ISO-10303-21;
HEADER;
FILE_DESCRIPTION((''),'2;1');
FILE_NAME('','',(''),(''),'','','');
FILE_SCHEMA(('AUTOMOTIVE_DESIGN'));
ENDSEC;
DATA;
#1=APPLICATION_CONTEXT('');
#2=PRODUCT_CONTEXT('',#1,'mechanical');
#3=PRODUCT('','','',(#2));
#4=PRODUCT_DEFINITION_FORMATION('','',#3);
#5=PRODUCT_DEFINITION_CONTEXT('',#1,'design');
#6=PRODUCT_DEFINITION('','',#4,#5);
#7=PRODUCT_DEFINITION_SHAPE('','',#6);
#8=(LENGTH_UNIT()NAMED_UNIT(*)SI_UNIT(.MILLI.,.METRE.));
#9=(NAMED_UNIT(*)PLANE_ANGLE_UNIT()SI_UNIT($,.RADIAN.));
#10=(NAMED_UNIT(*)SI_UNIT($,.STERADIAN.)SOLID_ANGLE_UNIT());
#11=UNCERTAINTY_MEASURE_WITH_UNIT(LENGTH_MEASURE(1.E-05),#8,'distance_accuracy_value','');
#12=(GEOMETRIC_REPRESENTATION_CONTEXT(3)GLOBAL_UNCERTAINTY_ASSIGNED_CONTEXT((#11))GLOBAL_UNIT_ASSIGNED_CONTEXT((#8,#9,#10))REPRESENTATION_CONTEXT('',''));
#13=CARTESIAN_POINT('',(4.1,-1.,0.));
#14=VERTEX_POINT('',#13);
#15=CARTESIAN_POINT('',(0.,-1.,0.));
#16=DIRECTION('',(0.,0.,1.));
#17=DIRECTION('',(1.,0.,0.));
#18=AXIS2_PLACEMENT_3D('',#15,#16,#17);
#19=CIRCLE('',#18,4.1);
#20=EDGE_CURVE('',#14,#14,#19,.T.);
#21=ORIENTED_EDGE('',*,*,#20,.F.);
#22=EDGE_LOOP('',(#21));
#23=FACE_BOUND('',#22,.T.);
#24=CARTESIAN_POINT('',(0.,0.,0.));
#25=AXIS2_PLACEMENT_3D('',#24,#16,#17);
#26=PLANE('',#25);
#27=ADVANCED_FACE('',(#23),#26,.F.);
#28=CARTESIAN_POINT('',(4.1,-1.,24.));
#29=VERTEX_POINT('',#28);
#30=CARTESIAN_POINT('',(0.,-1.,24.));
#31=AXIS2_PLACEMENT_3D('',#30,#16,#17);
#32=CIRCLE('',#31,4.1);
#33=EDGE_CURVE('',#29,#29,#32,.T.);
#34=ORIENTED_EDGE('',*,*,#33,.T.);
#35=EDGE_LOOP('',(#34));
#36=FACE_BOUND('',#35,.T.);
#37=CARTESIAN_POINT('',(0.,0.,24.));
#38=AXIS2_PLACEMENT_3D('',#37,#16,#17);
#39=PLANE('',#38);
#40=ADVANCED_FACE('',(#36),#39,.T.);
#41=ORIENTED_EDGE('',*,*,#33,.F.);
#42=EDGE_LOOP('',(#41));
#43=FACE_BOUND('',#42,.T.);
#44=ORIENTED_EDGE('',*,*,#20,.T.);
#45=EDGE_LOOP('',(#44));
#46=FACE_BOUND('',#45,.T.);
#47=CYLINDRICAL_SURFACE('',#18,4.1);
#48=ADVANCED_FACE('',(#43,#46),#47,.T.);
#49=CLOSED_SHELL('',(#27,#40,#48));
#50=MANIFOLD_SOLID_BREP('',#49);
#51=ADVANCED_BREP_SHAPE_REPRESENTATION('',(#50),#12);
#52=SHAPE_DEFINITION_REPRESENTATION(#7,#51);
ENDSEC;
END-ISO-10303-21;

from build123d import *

# Parameters (mm, degrees)
SKETCH_1_W          = 66
SKETCH_1_H          = 56
EXTRUDE_1_DEPTH     = 24
SKETCH_2_OUTSIDE_W  = 85.964
SKETCH_2_OUTSIDE_H  = 75.964
SKETCH_2_OUTSIDE_R  = 4.1
CUT_EXTRUDE_1_DEPTH = 50.487372127


with BuildPart() as part:
    # 草图1 → 凸台-拉伸1 (new body)
    with BuildSketch(Plane.XY):
        Rectangle(SKETCH_1_W, SKETCH_1_H)
    extrude(amount=EXTRUDE_1_DEPTH)

    # 草图2 outside → 切除-拉伸1 (cut, through all)
    with BuildSketch(Plane.XY.offset(24)):
        Rectangle(SKETCH_2_OUTSIDE_W, SKETCH_2_OUTSIDE_H)
        with Locations((0, -1)):
            Circle(SKETCH_2_OUTSIDE_R, mode=Mode.SUBTRACT)
    extrude(amount=-CUT_EXTRUDE_1_DEPTH, mode=Mode.SUBTRACT)


solid = part.part
